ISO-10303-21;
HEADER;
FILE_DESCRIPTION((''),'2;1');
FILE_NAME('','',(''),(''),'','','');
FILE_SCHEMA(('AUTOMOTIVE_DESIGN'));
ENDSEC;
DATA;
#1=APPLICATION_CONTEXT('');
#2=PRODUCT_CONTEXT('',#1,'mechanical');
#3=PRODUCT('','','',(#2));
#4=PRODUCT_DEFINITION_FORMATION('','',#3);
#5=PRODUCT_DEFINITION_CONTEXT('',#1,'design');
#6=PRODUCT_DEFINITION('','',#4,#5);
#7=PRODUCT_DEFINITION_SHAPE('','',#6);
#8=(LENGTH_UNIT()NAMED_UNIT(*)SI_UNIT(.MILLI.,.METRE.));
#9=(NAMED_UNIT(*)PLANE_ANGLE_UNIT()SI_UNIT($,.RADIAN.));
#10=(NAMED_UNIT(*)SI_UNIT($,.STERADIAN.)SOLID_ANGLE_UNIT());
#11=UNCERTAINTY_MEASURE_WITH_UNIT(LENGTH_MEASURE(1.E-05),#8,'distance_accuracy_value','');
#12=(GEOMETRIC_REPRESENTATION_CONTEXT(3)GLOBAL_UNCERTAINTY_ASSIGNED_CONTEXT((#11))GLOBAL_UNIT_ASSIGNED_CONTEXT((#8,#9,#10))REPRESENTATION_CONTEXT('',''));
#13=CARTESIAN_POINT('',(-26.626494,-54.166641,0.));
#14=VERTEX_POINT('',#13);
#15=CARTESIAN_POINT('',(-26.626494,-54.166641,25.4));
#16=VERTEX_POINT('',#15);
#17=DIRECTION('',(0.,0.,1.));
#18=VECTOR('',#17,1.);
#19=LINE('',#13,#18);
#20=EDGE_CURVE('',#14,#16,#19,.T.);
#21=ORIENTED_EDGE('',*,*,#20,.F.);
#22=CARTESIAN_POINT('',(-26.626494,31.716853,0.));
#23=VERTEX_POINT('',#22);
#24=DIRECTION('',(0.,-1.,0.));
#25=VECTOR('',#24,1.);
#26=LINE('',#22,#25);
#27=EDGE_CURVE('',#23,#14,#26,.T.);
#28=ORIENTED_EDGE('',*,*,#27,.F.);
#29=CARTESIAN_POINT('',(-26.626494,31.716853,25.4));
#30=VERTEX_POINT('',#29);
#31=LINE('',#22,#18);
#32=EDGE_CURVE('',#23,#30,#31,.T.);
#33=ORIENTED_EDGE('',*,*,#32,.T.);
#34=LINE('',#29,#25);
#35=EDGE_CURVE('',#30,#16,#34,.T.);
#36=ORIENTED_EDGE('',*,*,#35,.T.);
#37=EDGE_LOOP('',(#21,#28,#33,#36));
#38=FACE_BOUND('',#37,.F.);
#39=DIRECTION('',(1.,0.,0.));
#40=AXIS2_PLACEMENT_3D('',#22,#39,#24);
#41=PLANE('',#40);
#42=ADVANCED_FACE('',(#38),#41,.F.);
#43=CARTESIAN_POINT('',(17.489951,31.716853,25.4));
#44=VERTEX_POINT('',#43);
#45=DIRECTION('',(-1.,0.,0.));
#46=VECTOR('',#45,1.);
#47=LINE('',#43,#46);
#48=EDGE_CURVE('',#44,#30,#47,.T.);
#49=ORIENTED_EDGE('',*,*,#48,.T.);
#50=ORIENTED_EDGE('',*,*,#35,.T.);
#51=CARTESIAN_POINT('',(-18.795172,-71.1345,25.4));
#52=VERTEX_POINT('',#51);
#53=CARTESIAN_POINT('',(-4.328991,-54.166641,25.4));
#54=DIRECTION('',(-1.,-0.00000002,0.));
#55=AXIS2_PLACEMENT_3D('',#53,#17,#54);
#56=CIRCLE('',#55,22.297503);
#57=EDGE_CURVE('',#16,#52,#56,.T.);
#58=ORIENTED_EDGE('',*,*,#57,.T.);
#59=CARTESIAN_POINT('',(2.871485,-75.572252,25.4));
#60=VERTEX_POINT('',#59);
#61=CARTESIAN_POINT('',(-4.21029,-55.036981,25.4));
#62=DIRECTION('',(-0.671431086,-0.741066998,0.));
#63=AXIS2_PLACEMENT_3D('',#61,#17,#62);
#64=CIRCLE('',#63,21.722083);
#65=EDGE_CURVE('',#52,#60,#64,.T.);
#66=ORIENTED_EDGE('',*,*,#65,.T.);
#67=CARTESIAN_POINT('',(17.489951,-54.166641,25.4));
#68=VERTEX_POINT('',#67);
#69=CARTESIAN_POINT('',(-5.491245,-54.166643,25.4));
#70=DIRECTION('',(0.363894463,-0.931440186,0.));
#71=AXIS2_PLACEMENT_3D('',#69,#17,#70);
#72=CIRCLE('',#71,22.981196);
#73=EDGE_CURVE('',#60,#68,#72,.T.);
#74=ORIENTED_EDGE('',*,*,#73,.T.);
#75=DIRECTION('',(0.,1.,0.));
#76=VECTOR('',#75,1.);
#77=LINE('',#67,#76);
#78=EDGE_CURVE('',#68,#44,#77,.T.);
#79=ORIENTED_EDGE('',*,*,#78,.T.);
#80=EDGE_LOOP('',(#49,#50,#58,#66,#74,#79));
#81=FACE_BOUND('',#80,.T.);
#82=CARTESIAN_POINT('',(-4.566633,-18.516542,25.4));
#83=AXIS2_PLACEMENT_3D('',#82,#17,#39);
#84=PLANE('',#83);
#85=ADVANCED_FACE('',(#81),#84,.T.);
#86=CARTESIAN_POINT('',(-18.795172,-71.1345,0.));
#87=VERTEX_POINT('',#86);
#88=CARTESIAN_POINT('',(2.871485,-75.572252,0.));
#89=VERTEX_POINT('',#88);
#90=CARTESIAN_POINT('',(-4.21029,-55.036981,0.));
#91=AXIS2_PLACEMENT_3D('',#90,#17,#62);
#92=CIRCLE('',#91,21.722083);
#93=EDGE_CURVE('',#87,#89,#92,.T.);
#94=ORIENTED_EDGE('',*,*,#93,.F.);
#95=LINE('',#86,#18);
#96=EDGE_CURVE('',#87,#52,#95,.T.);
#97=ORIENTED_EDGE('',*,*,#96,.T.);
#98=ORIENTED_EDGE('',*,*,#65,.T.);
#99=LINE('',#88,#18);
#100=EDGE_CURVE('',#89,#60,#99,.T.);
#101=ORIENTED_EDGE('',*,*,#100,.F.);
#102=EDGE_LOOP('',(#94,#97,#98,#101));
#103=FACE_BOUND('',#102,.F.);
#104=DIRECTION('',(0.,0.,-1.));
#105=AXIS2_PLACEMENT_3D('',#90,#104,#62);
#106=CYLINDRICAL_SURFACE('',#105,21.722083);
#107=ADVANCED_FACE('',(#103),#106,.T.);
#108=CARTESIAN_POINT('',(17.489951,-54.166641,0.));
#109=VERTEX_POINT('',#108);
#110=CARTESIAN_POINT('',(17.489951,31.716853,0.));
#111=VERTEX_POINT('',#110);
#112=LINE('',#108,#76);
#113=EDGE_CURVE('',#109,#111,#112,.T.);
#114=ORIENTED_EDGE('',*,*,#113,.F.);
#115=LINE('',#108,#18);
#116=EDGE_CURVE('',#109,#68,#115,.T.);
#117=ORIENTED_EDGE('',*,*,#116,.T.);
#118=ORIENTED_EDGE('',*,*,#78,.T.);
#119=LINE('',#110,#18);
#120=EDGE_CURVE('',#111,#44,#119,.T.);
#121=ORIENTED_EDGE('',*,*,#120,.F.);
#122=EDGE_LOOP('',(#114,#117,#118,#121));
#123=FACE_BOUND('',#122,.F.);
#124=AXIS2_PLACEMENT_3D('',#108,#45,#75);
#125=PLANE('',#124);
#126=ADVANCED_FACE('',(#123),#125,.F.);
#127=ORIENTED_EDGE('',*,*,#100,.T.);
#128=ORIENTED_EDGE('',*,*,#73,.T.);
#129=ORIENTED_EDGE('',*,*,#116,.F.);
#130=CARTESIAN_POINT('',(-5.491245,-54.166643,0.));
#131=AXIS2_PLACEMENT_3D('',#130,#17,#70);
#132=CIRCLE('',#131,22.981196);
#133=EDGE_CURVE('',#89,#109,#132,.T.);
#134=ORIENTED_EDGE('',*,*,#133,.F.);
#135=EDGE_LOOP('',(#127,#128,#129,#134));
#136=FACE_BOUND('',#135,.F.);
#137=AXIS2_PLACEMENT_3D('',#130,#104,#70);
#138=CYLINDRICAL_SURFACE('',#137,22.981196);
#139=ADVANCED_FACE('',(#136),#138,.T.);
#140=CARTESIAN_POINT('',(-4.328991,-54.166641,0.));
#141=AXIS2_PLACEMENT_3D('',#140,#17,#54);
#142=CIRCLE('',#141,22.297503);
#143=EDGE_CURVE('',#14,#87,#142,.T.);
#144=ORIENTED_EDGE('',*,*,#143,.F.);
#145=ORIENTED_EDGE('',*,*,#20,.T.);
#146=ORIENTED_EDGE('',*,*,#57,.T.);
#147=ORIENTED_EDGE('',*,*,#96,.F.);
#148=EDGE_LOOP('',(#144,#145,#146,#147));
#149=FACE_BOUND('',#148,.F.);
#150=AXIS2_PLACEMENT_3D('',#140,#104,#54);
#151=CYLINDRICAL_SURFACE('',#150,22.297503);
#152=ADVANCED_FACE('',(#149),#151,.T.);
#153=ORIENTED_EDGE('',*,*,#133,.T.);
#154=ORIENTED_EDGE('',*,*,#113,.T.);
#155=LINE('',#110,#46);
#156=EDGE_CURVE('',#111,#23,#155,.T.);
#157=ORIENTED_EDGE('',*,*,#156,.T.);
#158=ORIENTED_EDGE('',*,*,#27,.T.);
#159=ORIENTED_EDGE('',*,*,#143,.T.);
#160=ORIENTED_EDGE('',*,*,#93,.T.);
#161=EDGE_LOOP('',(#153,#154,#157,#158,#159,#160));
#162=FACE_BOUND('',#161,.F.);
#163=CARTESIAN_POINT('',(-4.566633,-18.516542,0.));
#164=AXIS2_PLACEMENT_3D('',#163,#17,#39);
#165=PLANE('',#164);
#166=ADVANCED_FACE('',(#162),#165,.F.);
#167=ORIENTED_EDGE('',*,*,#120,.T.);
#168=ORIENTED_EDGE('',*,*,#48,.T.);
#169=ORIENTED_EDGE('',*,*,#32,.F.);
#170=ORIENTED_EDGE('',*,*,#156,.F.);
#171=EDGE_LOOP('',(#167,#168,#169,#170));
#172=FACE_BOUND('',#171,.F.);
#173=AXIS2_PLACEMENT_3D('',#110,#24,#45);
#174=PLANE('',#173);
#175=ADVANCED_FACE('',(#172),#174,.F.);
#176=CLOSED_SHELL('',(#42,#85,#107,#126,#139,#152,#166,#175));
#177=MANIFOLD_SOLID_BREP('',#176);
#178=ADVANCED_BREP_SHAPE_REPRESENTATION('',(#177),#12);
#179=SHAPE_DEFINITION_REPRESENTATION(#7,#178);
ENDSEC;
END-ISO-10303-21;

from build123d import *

# Parameters (mm, degrees)
F1_DEPTH = 25.4


with BuildPart() as f1:
    # F0 (on Top) → F1 (new body)
    with BuildSketch(Plane.XY):
        with BuildLine():
            Line((17.489951, 31.716853), (-26.626494, 31.716853))
            Line((-26.626494, 31.716853), (-26.626494, -54.166641))
            ThreePointArc((-26.626494, -54.166641), (-24.574217, -63.510594), (-18.795172, -71.1345))
            ThreePointArc((-18.795172, -71.1345), (-8.568909, -76.317285), (2.871485, -75.572252))
            ThreePointArc((2.871485, -75.572252), (13.486649, -67.127156), (17.489951, -54.166641))
            Line((17.489951, -54.166641), (17.489951, 31.716853))
        make_face()
    extrude(amount=F1_DEPTH)


solid = f1.part
